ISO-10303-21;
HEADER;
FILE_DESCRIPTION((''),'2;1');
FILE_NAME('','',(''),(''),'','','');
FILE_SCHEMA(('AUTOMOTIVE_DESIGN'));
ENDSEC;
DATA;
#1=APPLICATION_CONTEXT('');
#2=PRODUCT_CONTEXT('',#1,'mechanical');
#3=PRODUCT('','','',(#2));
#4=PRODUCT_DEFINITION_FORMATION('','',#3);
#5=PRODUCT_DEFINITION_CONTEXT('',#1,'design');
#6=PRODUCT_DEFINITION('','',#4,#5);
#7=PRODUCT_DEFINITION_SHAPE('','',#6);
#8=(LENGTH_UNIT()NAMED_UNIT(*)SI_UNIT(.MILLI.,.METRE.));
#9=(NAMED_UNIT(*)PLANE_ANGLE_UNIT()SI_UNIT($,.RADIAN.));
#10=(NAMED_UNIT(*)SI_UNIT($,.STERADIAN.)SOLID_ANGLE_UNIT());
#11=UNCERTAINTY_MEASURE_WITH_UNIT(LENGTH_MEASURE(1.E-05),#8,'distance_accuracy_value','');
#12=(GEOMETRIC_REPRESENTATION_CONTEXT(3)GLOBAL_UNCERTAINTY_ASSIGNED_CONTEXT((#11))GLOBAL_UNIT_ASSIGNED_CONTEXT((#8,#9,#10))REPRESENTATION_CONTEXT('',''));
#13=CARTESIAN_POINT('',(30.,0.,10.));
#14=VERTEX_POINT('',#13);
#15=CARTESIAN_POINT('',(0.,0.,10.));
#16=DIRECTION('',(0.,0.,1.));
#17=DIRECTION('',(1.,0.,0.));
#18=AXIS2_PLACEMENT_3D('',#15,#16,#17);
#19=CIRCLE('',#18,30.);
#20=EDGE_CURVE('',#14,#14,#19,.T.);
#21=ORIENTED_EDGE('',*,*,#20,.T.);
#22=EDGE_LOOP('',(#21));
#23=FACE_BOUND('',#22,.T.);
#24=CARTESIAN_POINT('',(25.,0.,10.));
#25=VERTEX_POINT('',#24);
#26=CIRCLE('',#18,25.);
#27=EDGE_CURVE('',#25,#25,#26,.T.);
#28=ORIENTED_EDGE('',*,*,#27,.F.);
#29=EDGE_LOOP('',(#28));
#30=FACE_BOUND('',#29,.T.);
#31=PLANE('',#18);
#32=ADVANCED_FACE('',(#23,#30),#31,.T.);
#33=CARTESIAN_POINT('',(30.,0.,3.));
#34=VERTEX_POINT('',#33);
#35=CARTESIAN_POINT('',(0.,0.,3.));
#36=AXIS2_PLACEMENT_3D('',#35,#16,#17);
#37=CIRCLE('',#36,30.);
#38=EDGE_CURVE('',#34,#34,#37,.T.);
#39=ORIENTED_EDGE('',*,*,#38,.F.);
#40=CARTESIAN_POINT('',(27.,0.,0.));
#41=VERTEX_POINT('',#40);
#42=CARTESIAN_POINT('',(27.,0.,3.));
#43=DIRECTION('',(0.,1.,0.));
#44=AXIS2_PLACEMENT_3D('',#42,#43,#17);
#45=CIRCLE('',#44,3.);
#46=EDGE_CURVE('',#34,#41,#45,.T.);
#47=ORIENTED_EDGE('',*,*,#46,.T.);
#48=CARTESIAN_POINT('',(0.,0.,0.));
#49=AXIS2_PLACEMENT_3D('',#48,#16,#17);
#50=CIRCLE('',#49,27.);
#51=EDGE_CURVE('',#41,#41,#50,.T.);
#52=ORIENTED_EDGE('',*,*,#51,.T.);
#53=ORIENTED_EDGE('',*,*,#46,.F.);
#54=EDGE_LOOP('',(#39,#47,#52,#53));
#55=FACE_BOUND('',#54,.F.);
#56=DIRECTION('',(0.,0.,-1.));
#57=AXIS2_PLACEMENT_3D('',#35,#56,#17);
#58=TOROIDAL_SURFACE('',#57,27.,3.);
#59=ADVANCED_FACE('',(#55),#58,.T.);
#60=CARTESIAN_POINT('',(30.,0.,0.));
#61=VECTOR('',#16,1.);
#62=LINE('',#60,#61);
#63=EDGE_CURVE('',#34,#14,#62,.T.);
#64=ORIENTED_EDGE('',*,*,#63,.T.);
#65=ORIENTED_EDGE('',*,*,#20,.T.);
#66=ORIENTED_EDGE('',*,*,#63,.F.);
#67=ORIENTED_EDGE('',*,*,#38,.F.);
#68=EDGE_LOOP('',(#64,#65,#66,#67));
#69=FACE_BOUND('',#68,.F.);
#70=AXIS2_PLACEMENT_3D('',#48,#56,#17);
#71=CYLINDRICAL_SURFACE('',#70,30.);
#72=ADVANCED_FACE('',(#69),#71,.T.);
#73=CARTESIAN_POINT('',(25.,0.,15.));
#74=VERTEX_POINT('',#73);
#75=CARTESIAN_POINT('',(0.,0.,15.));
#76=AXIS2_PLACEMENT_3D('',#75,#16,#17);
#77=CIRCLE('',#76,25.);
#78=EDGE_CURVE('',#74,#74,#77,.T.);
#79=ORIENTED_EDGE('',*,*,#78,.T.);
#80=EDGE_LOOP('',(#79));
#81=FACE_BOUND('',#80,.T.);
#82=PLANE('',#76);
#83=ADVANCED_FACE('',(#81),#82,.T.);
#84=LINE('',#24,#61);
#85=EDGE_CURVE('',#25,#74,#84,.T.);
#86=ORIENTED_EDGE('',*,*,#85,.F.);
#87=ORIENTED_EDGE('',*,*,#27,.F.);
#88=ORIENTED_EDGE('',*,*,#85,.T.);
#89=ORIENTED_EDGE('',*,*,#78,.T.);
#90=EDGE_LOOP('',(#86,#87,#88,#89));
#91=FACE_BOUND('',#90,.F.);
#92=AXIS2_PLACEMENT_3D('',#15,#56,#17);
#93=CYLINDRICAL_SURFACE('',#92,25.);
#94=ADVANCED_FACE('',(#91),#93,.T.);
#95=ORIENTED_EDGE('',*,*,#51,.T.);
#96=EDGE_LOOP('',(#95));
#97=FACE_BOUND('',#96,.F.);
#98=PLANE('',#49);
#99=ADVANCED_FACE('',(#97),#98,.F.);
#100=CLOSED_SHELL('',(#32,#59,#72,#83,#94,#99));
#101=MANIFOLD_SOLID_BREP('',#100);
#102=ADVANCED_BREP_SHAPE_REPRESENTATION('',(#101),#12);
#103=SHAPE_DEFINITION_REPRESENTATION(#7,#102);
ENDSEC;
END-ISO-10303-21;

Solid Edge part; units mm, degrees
sketch "Sketch1" plane through (0, 0, 0) normal (0, 0, 1) x (1, 0, 0)
  circle A0 centre (0, 0) radius 30
extrude "Protrusion1" add sketch "Sketch1" along normal blind 10
sketch "Sketch2" plane through (0, 0, 10) normal (0, 0, 1) x (1, 0, 0)
  circle A0 centre (0, 0) radius 25
extrude "ProtrusiónExtruida_2" add sketch "Sketch2" along normal blind 5
fillet "Redondeo_1" radius 3 1 edges at (-30, 0, 0)
